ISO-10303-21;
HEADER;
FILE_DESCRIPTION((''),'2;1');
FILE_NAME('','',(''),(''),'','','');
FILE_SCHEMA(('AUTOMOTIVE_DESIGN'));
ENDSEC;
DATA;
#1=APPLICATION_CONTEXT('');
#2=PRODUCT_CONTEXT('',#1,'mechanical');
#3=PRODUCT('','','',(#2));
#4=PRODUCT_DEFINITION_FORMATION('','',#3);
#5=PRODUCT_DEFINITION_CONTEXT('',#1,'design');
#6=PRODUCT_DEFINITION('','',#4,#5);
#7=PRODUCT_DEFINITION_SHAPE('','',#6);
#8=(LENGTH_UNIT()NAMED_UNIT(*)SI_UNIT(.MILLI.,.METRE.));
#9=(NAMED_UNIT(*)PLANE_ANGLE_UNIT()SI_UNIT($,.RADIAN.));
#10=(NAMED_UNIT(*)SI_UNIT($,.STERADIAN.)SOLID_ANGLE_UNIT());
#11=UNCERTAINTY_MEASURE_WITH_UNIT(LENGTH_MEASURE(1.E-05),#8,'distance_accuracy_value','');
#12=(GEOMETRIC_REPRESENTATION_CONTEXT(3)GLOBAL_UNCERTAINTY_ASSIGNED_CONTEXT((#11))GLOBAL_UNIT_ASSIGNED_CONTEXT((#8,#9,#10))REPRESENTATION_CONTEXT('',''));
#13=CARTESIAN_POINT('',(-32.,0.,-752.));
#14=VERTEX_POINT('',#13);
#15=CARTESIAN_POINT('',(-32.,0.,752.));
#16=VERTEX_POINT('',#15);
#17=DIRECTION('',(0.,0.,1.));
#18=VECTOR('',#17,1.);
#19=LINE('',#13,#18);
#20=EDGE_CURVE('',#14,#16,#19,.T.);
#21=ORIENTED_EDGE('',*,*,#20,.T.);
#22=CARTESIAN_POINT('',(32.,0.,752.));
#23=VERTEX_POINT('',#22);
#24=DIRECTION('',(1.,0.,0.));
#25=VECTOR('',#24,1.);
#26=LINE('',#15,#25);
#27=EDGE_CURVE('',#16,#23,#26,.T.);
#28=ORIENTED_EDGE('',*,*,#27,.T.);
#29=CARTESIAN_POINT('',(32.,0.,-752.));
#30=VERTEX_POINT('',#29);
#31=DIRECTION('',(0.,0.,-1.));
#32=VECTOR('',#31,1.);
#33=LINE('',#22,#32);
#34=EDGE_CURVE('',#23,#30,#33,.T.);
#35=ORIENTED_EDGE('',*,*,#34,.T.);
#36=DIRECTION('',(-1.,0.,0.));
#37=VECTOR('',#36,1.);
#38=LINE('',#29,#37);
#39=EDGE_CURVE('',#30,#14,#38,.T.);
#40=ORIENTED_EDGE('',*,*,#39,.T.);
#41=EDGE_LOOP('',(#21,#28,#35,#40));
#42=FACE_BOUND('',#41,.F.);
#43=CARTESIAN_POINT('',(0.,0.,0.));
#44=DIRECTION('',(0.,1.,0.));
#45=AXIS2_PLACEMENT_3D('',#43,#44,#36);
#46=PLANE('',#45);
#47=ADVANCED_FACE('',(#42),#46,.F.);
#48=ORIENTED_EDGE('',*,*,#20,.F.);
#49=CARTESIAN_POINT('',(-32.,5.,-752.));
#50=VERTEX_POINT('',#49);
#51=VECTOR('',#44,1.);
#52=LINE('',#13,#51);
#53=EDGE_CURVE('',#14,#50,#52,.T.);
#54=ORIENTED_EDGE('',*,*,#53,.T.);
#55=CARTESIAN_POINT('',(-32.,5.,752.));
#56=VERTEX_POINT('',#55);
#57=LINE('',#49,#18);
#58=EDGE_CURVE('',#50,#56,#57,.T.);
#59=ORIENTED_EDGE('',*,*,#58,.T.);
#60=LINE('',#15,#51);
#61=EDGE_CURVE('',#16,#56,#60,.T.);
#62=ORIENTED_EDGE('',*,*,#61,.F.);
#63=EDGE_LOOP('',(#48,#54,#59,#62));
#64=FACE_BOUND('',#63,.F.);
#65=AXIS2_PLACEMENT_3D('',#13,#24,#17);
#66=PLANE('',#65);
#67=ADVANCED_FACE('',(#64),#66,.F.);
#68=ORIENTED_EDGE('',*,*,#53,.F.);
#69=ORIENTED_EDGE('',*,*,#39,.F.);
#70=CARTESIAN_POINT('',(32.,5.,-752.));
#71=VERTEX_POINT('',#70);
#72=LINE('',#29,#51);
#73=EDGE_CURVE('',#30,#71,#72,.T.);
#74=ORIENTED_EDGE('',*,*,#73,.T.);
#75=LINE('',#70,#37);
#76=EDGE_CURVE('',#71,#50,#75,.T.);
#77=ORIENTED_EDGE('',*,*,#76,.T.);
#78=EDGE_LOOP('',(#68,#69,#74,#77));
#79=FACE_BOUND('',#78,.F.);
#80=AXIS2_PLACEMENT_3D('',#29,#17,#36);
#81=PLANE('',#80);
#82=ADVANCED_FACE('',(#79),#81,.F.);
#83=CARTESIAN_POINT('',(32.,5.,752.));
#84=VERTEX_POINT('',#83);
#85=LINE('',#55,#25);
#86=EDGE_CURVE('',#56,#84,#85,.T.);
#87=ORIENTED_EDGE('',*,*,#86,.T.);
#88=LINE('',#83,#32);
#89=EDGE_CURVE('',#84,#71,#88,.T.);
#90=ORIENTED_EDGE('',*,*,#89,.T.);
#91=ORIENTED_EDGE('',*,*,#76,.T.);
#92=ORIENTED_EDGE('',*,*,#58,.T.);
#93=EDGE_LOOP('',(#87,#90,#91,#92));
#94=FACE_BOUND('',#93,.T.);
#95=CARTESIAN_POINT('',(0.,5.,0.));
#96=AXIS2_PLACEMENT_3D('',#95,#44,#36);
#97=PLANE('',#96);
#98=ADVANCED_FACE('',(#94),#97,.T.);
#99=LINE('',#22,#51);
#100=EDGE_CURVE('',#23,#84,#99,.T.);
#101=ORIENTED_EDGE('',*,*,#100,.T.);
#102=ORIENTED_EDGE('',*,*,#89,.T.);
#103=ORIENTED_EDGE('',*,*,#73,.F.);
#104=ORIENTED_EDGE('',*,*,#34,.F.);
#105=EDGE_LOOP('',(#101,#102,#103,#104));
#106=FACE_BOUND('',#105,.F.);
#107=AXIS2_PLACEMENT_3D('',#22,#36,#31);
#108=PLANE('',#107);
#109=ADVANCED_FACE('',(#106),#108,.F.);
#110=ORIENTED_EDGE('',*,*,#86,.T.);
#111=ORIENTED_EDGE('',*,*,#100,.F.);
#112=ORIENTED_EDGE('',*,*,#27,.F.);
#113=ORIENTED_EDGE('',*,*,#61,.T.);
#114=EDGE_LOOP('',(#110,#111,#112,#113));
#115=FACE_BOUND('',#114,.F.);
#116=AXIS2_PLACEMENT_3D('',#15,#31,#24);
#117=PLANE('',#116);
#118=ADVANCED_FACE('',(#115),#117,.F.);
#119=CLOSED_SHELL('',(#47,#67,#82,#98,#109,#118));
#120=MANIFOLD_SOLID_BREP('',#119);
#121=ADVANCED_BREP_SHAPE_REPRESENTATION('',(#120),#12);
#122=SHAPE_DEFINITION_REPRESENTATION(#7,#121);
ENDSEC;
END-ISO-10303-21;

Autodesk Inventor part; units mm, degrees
ref_plane "YZ Plane" through (0, 0, 0) normal (1, 0, 0) x (0, 1, 0)
ref_plane "XZ Plane" through (0, 0, 0) normal (0, 1, 0) x (-1, 0, 0)
ref_plane "XY Plane" through (0, 0, 0) normal (0, 0, 1) x (1, 0, 0)
sketch "Эскиз1" plane through (0, 0, 0) normal (0, 1, 0) x (-1, 0, 0)
  line L0 (32, 752) -> (-32, 752)
  line L1 (-32, 752) -> (-32, -752)
  line L2 (-32, -752) -> (32, -752)
  line L3 (32, -752) -> (32, 752)
  line L4 (32, 752) -> (-32, -752) construction
  line L5 (-32, 752) -> (32, -752) construction
  point P0 (0, 0)
  dimension "d0" = 64
  dimension "d1" = 1504
extrude "Пластина1" add sketch "Эскиз1" along normal blind 5
equation "\"d2\" = Толщина"
equation "\"Радиус_гибки\" = Толщина"
equation "\"Ширина_просечки\" = Толщина"
equation "\"Глубина_просечки\" = 0.5 * Толщина"
equation "\"Радиус_перехода\" = Радиус_гибки"
equation "\"Радиус_Якоби\" = Радиус_гибки"
equation "\"Размер_зазора\" = Толщина"
equation "\"Толщина\" = 5"
properties part number "0933"
